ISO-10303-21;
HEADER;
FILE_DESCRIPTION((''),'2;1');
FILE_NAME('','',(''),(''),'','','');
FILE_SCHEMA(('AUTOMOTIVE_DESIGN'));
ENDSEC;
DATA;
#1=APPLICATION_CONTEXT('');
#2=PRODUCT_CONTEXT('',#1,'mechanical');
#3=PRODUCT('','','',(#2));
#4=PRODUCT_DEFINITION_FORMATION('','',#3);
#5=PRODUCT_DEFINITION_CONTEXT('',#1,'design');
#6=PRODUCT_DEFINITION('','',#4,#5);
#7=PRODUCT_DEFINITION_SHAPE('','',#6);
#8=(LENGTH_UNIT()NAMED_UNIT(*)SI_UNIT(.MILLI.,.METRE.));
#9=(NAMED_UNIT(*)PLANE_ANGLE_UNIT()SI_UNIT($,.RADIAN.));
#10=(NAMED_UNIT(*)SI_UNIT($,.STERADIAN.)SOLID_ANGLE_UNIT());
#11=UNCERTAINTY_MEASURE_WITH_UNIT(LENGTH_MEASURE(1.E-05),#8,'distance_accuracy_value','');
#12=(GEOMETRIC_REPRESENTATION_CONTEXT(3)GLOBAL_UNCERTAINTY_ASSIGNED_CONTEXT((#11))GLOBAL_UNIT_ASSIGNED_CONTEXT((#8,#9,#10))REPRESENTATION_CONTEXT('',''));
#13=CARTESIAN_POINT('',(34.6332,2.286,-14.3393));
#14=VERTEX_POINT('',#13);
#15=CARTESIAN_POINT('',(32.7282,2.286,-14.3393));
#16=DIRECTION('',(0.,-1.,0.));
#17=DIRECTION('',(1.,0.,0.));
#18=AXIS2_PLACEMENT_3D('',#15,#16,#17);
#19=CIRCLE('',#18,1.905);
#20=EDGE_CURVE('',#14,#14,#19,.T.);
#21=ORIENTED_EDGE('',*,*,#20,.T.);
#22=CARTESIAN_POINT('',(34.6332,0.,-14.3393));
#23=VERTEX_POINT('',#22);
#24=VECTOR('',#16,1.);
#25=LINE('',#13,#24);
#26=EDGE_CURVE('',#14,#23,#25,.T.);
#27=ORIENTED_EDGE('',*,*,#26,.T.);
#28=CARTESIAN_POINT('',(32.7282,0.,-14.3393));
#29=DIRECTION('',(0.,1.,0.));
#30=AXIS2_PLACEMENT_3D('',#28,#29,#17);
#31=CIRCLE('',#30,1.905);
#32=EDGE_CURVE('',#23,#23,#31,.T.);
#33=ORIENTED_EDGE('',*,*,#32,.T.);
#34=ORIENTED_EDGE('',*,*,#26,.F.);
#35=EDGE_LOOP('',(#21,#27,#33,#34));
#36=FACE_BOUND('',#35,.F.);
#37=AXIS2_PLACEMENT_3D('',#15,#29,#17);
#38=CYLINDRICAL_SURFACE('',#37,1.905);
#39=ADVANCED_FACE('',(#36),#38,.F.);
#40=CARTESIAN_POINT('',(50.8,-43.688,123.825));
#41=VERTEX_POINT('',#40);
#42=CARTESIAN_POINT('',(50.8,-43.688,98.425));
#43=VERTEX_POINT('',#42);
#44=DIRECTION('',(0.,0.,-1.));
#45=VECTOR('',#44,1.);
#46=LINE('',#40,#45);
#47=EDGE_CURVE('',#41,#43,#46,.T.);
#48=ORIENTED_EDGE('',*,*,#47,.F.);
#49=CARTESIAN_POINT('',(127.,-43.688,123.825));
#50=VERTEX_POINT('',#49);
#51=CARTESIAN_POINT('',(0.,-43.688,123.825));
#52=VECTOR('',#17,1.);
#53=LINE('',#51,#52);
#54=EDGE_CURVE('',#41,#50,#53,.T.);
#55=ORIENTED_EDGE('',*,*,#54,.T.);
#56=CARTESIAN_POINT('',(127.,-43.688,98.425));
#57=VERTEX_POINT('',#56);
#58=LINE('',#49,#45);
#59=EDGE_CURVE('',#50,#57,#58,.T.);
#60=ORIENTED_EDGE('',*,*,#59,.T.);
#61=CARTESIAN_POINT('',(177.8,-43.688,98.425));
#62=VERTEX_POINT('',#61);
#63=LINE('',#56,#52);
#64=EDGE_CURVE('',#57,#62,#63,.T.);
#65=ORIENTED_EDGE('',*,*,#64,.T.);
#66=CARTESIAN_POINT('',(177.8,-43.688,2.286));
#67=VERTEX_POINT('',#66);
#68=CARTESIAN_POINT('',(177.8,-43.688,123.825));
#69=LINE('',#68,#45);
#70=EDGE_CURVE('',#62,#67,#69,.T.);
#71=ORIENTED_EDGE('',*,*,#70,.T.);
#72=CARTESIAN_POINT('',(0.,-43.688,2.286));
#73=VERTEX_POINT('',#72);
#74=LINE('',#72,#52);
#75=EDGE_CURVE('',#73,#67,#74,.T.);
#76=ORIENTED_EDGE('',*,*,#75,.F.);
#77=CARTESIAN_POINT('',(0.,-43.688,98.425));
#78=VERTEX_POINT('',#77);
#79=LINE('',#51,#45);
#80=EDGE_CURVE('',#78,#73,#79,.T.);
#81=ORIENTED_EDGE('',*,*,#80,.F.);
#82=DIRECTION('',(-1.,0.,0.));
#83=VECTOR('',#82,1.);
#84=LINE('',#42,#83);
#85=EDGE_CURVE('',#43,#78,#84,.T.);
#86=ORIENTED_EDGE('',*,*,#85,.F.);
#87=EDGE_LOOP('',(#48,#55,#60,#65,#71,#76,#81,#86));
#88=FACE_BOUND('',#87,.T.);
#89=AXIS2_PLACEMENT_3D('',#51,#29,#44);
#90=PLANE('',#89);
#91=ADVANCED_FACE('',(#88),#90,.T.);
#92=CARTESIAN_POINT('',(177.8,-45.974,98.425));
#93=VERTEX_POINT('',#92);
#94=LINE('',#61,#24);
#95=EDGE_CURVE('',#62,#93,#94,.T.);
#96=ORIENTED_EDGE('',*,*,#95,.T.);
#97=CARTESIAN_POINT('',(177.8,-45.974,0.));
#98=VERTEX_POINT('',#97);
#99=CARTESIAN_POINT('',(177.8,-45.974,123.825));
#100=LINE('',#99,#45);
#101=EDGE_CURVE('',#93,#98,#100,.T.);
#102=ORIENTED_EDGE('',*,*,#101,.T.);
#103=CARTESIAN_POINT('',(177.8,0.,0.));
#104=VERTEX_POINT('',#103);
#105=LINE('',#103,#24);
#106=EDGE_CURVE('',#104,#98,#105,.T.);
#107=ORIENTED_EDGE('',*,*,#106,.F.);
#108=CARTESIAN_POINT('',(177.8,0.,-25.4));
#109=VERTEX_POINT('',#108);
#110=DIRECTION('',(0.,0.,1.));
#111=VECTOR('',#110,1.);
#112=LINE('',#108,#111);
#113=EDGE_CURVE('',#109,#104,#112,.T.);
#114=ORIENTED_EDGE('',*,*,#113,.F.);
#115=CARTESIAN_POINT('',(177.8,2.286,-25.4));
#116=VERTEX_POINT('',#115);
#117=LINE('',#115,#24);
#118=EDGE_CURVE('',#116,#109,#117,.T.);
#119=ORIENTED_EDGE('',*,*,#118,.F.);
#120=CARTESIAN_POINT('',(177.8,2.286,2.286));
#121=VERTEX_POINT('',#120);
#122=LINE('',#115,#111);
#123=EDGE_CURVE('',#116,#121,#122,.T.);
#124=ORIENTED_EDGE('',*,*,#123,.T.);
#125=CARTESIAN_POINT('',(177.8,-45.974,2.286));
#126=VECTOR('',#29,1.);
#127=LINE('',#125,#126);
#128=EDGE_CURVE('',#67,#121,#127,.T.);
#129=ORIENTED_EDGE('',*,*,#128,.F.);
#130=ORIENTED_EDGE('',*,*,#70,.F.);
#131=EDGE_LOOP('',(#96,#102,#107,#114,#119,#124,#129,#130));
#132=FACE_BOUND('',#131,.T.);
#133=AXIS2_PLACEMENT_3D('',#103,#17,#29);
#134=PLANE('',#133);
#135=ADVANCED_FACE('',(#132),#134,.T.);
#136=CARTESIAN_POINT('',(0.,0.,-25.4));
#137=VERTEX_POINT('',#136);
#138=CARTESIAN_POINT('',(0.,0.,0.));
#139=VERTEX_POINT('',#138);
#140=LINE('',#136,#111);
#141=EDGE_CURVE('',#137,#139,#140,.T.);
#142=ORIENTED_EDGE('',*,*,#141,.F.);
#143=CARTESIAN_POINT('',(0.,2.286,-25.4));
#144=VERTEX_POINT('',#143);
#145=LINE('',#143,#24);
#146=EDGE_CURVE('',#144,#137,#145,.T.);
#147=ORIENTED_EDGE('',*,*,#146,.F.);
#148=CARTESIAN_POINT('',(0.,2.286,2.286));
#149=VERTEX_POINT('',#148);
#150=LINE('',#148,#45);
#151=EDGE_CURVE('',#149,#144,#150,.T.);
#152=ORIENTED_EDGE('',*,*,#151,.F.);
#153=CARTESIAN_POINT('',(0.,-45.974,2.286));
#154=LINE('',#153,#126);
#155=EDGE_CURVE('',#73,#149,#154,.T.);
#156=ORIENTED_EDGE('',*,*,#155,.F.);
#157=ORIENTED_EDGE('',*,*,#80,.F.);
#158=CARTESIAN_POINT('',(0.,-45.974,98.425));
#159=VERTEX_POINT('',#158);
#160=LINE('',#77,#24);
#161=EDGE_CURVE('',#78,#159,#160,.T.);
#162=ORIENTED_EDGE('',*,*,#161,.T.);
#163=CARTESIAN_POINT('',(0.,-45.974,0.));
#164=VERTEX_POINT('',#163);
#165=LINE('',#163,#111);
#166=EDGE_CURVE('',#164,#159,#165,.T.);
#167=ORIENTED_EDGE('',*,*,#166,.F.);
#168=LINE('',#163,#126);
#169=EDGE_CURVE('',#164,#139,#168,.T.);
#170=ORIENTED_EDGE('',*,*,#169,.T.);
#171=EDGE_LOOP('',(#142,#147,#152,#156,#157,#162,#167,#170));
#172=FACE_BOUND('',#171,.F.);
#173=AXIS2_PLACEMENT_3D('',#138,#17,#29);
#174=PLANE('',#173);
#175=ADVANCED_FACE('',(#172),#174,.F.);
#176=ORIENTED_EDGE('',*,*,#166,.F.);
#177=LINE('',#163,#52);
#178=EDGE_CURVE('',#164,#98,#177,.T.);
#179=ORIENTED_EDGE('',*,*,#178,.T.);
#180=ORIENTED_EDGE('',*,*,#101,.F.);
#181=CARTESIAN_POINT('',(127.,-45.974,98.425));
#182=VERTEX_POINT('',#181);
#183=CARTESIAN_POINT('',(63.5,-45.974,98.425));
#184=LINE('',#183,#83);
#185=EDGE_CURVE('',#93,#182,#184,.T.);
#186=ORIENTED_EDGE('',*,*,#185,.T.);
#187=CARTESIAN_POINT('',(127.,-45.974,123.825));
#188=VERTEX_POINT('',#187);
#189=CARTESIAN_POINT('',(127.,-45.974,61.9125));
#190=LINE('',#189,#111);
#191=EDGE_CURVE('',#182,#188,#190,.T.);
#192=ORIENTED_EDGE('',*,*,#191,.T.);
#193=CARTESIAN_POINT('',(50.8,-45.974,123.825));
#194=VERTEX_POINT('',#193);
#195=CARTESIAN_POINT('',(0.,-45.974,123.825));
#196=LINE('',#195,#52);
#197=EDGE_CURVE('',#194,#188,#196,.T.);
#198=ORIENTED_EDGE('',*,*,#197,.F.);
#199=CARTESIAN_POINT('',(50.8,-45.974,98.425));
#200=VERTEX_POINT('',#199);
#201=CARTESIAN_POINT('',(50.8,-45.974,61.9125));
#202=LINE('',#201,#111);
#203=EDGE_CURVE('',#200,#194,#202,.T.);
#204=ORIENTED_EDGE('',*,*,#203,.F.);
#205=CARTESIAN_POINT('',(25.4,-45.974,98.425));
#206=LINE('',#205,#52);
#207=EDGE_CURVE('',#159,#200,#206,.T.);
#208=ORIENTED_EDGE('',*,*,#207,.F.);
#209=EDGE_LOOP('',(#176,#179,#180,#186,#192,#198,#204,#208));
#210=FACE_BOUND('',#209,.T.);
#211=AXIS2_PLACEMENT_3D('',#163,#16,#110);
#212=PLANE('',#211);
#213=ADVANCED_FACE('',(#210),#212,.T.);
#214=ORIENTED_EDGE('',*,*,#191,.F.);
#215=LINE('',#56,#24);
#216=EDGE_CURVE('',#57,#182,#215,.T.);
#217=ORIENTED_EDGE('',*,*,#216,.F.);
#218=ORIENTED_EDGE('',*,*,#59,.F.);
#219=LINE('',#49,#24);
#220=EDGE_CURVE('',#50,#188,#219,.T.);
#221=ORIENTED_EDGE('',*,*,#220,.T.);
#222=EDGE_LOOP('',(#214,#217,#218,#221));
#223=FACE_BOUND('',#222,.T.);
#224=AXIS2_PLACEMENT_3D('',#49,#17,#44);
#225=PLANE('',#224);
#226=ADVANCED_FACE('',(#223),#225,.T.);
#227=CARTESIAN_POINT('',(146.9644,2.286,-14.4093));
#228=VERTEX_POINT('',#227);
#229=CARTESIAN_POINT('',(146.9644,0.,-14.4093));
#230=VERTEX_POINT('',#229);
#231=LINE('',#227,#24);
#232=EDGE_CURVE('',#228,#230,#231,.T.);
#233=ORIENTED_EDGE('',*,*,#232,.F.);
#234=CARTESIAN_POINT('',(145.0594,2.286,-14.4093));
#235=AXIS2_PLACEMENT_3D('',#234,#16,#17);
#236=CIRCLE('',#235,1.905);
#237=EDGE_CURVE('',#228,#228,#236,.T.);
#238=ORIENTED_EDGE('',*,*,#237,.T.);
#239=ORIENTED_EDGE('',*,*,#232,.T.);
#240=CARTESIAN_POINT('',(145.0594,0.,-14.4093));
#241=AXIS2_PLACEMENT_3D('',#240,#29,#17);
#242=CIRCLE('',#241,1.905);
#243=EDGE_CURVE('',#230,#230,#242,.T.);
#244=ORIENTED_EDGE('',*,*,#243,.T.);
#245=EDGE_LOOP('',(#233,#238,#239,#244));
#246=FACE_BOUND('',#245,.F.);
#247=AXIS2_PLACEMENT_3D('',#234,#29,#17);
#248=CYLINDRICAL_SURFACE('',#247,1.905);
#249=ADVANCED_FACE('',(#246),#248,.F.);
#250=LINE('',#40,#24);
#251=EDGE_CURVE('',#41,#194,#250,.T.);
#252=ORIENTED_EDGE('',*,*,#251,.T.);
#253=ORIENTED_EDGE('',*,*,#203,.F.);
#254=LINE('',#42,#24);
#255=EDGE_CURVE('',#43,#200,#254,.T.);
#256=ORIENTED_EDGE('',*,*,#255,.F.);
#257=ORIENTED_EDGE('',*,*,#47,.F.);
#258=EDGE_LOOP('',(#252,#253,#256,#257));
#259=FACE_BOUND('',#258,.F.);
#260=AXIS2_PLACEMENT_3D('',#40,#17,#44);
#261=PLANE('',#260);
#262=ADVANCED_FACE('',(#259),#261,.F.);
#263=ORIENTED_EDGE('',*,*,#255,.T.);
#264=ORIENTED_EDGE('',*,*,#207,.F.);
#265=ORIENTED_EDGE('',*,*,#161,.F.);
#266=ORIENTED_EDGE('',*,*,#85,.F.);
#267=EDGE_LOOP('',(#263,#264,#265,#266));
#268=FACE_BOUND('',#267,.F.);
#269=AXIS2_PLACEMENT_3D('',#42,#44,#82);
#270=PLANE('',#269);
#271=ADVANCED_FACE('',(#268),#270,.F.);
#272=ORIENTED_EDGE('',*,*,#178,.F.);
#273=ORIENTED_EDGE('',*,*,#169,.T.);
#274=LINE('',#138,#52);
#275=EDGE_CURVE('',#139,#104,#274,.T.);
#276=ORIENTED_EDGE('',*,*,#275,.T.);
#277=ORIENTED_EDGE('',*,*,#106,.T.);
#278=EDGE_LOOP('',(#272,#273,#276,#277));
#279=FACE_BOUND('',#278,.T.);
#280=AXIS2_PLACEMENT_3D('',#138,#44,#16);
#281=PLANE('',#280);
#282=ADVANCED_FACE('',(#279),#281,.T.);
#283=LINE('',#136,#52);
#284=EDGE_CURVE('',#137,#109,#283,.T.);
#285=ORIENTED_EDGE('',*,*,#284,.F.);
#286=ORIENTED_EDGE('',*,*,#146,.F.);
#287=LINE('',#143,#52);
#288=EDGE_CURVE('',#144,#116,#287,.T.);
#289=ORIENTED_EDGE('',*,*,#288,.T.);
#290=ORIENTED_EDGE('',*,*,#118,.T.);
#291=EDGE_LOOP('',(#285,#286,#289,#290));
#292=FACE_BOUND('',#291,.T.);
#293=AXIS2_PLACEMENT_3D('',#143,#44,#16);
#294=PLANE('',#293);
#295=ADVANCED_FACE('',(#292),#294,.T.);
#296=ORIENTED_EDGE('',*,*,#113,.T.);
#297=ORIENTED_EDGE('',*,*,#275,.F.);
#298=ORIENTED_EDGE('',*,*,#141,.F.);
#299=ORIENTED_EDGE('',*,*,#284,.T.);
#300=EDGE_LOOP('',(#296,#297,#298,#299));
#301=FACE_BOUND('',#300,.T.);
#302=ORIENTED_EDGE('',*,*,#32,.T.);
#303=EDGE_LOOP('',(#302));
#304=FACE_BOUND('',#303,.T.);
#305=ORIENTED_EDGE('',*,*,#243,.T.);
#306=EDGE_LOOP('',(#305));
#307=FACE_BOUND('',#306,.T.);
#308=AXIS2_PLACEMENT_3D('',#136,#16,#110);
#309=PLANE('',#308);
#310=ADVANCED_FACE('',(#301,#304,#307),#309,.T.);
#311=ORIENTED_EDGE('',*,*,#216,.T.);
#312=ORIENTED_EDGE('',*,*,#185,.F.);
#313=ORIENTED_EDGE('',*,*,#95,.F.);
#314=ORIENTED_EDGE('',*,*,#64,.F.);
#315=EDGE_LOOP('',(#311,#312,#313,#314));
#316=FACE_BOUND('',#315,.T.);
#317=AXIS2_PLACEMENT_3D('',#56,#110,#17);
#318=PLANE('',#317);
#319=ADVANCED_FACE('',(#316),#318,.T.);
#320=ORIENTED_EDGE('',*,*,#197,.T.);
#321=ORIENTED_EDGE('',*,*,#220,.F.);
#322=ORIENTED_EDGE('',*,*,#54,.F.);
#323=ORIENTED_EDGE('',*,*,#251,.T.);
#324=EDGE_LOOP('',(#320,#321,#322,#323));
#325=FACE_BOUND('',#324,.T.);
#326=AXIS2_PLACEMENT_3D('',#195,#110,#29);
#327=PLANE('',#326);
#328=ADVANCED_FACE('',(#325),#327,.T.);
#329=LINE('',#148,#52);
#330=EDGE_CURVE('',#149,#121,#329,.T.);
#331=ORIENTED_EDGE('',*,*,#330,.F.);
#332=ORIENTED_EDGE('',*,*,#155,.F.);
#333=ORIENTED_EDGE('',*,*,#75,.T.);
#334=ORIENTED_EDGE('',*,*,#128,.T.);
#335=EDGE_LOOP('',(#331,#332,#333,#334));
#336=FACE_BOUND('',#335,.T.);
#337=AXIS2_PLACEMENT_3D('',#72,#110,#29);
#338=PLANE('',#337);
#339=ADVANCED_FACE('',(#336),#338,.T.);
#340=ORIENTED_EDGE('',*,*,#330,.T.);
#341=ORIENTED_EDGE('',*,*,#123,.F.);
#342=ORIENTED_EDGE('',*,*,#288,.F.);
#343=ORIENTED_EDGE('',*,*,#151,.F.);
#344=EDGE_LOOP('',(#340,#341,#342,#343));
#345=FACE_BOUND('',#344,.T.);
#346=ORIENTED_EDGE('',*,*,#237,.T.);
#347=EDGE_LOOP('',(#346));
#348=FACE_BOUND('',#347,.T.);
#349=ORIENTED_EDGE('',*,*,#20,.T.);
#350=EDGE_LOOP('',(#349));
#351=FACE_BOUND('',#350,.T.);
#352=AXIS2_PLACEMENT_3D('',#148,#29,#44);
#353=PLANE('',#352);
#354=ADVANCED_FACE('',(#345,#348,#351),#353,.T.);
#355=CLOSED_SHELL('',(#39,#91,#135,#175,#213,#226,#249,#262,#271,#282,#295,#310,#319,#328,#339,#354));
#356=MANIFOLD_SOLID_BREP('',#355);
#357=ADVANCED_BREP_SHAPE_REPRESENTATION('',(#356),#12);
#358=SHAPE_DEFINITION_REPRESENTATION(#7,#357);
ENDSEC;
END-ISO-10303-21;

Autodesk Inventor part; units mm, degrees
ref_plane "YZ Plane" through (0, 0, 0) normal (1, 0, 0) x (0, 1, 0)
ref_plane "XZ Plane" through (0, 0, 0) normal (0, 1, 0) x (-1, 0, 0)
ref_plane "XY Plane" through (0, 0, 0) normal (0, 0, 1) x (1, 0, 0)
sketch "Sketch1" plane through (0, 0, 0) normal (1, 0, 0) x (0, 1, 0)
  line L0 (0, 0) -> (2.286, 0)
  line L1 (2.286, 0) -> (2.286, -25.4)
  line L2 (2.286, -25.4) -> (0, -25.4)
  line L3 (0, -25.4) -> (0, 0)
  line L4 (0, 0) -> (-45.974, 0)
  line L5 (-45.974, 0) -> (-45.974, 123.825)
  line L6 (-45.974, 123.825) -> (-43.688, 123.825)
  line L7 (-43.688, 123.825) -> (-43.688, 0)
  line L8 (-45.974, 0) -> (-45.974, 2.286)
  line L9 (-45.974, 2.286) -> (2.286, 2.286)
  line L10 (2.286, 2.286) -> (2.286, 0)
  point P0 (-43.688, 2.286)
  dimension "d0" = 25.4
  dimension "d1" = 2.286
  dimension "d4" = 2.286
  dimension "d5" = 2.286
extrude "Extrusion1" add sketch "Sketch1" along normal blind 177.8
sketch "Sketch2" plane through (0, -43.688, 123.825) normal (0, 1, 0) x (1, 0, 0)
  line L0 (0, 0) -> (177.8, 0) projected
  line L1 (0, 0) -> (50.8, 0)
  line L2 (50.8, 0) -> (50.8, 25.4)
  line L3 (50.8, 25.4) -> (0, 25.4)
  line L4 (0, 25.4) -> (0, 0)
  line L5 (177.8, 0) -> (127, 0)
  line L6 (127, 0) -> (127, 25.4)
  line L7 (127, 25.4) -> (177.8, 25.4)
  line L8 (177.8, 25.4) -> (177.8, 0)
  point P0 (0, 123.825)
  point P1 (50.8, 0)
  point P2 (127, 0)
  dimension "d8" = 50.8
  dimension "d9" = 25.4
  dimension "d10" = 50.8
extrude "Extrusion2" cut sketch "Sketch2" against normal blind 177.8
sketch "Sketch4" plane through (0, 2.286, 2.286) normal (0, 1, 0) x (1, 0, 0)
  line L0 (0, 2.286) -> (0, 27.686) projected
  line L1 (0, 16.6049) -> (177.8, 16.7157)
  line L2 (177.8, 27.686) -> (177.8, 0) projected
  circle A0 centre (32.7282, 16.6253) radius 1.905
  line L3 (0, 27.686) -> (177.8, 27.686) projected
  line L4 (0, 0) -> (177.8, 0) projected
  line L5 (177.8, 27.686) -> (145.0594, 27.686)
  line L6 (145.0594, 27.686) -> (145.0594, 0)
  line L7 (145.0594, 0) -> (177.8, 0)
  line L8 (177.8, 0) -> (177.8, 27.686)
  circle A1 centre (145.0594, 16.6953) radius 1.905
  dimension "d13" = 3.81
  dimension "d14" = 32.7406
  dimension "d15" = 3.81
extrude "Extrusion3" cut sketch "Sketch4" against normal blind 177.8 contours A0 L1 | L1 A0 | A1 L1 L6 | L6 L1 A1 | L1 L6 A1 | L1 A1 L6
properties part number "Plate"
